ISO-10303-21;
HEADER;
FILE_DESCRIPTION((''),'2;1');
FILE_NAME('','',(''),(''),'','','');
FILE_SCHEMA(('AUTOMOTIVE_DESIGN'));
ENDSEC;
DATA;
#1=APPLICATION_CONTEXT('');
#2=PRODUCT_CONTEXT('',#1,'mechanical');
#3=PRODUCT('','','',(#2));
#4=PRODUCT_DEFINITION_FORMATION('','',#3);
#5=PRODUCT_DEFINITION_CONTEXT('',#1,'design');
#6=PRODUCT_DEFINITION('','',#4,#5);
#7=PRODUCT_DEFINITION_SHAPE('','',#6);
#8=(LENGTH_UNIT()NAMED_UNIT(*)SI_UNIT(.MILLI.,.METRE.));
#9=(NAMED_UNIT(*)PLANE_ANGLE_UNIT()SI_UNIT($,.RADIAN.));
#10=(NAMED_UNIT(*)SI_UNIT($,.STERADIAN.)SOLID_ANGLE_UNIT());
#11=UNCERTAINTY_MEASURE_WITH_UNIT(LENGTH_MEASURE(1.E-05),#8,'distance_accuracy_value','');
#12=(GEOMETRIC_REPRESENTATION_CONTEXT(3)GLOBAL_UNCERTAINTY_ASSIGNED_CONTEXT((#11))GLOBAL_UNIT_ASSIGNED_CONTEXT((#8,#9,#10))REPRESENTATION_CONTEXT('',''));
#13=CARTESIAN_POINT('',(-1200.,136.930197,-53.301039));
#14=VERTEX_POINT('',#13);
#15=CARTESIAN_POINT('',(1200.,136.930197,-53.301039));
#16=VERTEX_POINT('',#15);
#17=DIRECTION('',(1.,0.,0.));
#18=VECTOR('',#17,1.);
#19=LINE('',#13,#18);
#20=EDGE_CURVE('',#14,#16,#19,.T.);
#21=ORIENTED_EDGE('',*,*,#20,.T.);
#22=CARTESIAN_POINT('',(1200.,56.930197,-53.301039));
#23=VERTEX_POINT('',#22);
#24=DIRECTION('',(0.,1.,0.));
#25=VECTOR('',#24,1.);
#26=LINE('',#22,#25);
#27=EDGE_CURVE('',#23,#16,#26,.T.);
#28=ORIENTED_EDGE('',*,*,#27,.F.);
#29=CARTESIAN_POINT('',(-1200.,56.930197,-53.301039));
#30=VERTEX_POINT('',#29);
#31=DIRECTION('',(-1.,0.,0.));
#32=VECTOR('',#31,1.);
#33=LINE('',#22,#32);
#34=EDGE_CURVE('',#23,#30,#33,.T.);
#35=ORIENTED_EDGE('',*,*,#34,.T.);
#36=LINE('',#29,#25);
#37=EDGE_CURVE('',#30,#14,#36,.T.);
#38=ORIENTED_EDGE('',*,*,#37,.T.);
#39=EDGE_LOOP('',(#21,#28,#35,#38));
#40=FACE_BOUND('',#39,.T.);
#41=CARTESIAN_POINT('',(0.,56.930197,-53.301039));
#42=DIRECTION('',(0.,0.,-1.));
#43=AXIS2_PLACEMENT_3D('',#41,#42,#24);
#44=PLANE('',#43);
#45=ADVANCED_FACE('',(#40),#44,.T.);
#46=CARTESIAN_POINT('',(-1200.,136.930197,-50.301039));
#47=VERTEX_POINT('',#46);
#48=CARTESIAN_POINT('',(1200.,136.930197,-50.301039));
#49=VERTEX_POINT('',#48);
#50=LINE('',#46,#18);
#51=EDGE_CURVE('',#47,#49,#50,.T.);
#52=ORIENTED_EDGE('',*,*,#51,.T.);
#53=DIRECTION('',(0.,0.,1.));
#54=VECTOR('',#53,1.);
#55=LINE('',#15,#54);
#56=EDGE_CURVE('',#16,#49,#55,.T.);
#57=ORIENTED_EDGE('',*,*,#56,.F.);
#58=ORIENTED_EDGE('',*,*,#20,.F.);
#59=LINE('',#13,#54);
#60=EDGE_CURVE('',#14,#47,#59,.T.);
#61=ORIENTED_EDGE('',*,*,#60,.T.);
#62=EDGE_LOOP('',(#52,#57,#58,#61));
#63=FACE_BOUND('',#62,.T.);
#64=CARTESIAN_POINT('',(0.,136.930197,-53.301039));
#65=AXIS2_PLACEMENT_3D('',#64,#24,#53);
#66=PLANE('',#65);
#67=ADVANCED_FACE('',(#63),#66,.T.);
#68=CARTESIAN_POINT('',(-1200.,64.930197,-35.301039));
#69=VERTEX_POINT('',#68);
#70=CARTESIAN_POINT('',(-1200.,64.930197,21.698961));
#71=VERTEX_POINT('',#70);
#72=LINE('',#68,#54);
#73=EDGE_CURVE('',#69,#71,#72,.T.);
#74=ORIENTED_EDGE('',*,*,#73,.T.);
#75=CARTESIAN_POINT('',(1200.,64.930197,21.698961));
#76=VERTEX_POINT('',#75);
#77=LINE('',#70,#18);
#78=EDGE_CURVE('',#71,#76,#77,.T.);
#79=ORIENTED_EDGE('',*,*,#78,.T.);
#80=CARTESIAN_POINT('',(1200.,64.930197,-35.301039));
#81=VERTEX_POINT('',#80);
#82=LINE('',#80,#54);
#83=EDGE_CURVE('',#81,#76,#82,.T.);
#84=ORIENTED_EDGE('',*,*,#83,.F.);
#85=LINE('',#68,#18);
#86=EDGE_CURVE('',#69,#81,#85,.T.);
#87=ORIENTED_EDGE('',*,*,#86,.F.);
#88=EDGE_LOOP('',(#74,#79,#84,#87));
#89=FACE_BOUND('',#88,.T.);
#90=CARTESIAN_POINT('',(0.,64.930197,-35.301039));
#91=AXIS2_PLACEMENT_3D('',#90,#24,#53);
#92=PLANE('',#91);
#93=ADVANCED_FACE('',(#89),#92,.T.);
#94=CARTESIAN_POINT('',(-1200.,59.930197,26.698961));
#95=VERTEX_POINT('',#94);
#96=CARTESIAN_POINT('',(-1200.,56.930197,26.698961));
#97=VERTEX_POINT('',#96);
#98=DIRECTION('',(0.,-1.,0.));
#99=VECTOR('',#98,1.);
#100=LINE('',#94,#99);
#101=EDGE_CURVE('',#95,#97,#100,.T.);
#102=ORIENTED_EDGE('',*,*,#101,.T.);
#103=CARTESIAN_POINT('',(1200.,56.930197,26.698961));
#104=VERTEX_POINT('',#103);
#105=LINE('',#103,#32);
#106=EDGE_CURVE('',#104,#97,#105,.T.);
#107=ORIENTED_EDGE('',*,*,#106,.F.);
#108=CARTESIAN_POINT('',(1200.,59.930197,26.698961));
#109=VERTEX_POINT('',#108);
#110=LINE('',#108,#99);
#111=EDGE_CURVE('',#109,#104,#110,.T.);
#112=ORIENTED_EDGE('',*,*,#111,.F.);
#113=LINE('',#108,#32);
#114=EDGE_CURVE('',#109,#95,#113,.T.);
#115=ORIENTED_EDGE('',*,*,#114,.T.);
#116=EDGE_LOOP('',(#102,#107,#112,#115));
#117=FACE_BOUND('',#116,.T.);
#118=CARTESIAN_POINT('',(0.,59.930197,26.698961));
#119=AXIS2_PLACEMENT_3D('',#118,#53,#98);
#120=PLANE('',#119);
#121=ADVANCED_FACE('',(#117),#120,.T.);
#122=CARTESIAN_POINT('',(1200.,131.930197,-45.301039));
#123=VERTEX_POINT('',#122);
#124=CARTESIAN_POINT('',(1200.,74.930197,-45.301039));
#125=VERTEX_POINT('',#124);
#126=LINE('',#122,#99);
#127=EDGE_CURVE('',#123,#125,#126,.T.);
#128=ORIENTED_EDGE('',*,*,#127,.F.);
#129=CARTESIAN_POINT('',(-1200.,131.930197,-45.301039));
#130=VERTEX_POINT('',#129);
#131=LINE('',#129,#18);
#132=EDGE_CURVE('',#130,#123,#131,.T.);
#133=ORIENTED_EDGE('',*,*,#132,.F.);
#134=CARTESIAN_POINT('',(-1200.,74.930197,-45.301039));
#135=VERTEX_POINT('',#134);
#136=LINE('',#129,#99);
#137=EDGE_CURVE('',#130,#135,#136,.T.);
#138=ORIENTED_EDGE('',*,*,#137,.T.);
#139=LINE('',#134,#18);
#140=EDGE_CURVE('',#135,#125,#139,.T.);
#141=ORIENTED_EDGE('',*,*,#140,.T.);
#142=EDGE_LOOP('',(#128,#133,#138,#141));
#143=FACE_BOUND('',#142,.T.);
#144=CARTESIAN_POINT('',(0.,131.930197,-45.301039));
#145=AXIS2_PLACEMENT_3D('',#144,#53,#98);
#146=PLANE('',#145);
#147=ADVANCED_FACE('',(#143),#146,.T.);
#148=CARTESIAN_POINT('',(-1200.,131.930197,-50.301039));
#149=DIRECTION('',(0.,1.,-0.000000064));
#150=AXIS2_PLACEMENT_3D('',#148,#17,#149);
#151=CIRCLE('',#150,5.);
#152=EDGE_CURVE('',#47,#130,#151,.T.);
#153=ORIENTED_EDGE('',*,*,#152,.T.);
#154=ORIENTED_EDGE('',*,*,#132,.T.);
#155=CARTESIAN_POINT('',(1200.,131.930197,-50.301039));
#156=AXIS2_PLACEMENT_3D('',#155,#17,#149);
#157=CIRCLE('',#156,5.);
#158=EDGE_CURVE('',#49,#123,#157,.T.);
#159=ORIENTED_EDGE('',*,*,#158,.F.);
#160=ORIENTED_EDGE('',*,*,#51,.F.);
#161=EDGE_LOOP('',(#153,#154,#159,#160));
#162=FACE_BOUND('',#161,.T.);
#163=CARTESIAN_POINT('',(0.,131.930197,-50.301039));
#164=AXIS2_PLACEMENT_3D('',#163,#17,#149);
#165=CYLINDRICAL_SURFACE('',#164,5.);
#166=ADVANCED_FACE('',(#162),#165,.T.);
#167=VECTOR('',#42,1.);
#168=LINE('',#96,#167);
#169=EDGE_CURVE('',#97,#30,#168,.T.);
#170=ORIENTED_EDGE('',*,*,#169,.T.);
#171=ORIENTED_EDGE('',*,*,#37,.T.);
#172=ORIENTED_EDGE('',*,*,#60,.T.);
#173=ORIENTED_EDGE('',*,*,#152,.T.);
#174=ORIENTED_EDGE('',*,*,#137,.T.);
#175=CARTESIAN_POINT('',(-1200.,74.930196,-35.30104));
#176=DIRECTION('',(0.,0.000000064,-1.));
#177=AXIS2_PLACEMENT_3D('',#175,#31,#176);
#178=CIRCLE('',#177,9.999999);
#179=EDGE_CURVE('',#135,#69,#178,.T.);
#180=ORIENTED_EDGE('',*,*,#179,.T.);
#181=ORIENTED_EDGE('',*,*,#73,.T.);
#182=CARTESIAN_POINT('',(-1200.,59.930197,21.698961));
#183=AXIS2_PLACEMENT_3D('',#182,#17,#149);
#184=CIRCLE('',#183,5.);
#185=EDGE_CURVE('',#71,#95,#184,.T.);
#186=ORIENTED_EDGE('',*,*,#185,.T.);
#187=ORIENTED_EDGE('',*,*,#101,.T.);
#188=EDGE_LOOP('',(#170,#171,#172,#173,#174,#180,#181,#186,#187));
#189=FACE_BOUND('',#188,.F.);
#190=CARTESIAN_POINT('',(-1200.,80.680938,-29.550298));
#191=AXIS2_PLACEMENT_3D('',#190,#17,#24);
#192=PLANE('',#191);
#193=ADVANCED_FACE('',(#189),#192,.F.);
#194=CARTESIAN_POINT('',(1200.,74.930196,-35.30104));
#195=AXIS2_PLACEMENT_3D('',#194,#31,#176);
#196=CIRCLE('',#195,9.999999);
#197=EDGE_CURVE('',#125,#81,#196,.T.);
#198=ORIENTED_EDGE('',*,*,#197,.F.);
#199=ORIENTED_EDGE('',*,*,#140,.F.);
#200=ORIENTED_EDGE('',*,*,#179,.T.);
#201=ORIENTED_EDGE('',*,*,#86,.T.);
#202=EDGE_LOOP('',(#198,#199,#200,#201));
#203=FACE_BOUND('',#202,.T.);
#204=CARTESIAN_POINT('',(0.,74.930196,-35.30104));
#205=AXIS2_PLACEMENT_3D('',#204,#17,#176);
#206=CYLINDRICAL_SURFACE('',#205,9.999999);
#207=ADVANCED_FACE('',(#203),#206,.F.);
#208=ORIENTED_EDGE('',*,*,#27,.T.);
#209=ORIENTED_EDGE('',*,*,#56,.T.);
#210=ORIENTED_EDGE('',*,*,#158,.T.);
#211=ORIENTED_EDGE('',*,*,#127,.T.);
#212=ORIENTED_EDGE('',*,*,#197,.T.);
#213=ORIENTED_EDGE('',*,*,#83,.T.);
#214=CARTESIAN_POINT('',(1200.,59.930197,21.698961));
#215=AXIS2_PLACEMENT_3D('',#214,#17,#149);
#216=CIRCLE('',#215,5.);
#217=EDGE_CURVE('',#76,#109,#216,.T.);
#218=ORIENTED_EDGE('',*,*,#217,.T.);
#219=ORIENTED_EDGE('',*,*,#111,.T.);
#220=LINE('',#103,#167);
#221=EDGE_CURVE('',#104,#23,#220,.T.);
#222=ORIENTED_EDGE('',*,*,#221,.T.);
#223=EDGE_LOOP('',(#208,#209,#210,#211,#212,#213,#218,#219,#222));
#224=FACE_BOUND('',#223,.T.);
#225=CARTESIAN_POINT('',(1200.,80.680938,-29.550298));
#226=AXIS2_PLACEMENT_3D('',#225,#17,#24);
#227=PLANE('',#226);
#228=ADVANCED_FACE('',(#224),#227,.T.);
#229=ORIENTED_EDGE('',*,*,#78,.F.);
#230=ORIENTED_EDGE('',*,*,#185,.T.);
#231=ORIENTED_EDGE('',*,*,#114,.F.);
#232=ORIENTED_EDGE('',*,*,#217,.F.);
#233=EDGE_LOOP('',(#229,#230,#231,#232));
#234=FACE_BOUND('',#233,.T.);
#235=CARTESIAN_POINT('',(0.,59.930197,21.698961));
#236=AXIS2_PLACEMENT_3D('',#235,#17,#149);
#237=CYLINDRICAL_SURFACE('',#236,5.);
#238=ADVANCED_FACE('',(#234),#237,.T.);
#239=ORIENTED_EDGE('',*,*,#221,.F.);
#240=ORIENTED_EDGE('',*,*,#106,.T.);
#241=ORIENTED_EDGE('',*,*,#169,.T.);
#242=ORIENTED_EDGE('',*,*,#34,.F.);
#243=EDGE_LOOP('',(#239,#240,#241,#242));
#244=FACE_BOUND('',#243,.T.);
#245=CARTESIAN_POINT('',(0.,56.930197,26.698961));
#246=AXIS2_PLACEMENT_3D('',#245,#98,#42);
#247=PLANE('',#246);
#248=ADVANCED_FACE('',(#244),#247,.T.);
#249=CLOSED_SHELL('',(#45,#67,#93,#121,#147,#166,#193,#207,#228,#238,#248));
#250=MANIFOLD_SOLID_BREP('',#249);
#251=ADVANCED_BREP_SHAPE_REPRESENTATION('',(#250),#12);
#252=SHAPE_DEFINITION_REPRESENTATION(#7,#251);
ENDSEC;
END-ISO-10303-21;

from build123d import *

# Parameters (mm, degrees)
F1_DEPTH = 1200


with BuildPart() as f1:
    # F0 (on Right) → F1 (new body, symmetric)
    with BuildSketch(Plane.YZ):
        with BuildLine():
            Line((56.930197, -53.301039), (136.930197, -53.301039))
            Line((136.930197, -53.301039), (136.930197, -50.301039))
            ThreePointArc((136.930197, -50.301039), (135.465731, -46.765505), (131.930197, -45.301039))
            Line((131.930197, -45.301039), (74.930197, -45.301039))
            ThreePointArc((74.930197, -45.301039), (67.859129, -42.372107), (64.930197, -35.301039))
            Line((64.930197, -35.301039), (64.930197, 21.698961))
            ThreePointArc((64.930197, 21.698961), (63.465731, 25.234495), (59.930197, 26.698961))
            Line((59.930197, 26.698961), (56.930197, 26.698961))
            Line((56.930197, 26.698961), (56.930197, -53.301039))
        make_face()
    extrude(amount=F1_DEPTH, both=True)


solid = f1.part
